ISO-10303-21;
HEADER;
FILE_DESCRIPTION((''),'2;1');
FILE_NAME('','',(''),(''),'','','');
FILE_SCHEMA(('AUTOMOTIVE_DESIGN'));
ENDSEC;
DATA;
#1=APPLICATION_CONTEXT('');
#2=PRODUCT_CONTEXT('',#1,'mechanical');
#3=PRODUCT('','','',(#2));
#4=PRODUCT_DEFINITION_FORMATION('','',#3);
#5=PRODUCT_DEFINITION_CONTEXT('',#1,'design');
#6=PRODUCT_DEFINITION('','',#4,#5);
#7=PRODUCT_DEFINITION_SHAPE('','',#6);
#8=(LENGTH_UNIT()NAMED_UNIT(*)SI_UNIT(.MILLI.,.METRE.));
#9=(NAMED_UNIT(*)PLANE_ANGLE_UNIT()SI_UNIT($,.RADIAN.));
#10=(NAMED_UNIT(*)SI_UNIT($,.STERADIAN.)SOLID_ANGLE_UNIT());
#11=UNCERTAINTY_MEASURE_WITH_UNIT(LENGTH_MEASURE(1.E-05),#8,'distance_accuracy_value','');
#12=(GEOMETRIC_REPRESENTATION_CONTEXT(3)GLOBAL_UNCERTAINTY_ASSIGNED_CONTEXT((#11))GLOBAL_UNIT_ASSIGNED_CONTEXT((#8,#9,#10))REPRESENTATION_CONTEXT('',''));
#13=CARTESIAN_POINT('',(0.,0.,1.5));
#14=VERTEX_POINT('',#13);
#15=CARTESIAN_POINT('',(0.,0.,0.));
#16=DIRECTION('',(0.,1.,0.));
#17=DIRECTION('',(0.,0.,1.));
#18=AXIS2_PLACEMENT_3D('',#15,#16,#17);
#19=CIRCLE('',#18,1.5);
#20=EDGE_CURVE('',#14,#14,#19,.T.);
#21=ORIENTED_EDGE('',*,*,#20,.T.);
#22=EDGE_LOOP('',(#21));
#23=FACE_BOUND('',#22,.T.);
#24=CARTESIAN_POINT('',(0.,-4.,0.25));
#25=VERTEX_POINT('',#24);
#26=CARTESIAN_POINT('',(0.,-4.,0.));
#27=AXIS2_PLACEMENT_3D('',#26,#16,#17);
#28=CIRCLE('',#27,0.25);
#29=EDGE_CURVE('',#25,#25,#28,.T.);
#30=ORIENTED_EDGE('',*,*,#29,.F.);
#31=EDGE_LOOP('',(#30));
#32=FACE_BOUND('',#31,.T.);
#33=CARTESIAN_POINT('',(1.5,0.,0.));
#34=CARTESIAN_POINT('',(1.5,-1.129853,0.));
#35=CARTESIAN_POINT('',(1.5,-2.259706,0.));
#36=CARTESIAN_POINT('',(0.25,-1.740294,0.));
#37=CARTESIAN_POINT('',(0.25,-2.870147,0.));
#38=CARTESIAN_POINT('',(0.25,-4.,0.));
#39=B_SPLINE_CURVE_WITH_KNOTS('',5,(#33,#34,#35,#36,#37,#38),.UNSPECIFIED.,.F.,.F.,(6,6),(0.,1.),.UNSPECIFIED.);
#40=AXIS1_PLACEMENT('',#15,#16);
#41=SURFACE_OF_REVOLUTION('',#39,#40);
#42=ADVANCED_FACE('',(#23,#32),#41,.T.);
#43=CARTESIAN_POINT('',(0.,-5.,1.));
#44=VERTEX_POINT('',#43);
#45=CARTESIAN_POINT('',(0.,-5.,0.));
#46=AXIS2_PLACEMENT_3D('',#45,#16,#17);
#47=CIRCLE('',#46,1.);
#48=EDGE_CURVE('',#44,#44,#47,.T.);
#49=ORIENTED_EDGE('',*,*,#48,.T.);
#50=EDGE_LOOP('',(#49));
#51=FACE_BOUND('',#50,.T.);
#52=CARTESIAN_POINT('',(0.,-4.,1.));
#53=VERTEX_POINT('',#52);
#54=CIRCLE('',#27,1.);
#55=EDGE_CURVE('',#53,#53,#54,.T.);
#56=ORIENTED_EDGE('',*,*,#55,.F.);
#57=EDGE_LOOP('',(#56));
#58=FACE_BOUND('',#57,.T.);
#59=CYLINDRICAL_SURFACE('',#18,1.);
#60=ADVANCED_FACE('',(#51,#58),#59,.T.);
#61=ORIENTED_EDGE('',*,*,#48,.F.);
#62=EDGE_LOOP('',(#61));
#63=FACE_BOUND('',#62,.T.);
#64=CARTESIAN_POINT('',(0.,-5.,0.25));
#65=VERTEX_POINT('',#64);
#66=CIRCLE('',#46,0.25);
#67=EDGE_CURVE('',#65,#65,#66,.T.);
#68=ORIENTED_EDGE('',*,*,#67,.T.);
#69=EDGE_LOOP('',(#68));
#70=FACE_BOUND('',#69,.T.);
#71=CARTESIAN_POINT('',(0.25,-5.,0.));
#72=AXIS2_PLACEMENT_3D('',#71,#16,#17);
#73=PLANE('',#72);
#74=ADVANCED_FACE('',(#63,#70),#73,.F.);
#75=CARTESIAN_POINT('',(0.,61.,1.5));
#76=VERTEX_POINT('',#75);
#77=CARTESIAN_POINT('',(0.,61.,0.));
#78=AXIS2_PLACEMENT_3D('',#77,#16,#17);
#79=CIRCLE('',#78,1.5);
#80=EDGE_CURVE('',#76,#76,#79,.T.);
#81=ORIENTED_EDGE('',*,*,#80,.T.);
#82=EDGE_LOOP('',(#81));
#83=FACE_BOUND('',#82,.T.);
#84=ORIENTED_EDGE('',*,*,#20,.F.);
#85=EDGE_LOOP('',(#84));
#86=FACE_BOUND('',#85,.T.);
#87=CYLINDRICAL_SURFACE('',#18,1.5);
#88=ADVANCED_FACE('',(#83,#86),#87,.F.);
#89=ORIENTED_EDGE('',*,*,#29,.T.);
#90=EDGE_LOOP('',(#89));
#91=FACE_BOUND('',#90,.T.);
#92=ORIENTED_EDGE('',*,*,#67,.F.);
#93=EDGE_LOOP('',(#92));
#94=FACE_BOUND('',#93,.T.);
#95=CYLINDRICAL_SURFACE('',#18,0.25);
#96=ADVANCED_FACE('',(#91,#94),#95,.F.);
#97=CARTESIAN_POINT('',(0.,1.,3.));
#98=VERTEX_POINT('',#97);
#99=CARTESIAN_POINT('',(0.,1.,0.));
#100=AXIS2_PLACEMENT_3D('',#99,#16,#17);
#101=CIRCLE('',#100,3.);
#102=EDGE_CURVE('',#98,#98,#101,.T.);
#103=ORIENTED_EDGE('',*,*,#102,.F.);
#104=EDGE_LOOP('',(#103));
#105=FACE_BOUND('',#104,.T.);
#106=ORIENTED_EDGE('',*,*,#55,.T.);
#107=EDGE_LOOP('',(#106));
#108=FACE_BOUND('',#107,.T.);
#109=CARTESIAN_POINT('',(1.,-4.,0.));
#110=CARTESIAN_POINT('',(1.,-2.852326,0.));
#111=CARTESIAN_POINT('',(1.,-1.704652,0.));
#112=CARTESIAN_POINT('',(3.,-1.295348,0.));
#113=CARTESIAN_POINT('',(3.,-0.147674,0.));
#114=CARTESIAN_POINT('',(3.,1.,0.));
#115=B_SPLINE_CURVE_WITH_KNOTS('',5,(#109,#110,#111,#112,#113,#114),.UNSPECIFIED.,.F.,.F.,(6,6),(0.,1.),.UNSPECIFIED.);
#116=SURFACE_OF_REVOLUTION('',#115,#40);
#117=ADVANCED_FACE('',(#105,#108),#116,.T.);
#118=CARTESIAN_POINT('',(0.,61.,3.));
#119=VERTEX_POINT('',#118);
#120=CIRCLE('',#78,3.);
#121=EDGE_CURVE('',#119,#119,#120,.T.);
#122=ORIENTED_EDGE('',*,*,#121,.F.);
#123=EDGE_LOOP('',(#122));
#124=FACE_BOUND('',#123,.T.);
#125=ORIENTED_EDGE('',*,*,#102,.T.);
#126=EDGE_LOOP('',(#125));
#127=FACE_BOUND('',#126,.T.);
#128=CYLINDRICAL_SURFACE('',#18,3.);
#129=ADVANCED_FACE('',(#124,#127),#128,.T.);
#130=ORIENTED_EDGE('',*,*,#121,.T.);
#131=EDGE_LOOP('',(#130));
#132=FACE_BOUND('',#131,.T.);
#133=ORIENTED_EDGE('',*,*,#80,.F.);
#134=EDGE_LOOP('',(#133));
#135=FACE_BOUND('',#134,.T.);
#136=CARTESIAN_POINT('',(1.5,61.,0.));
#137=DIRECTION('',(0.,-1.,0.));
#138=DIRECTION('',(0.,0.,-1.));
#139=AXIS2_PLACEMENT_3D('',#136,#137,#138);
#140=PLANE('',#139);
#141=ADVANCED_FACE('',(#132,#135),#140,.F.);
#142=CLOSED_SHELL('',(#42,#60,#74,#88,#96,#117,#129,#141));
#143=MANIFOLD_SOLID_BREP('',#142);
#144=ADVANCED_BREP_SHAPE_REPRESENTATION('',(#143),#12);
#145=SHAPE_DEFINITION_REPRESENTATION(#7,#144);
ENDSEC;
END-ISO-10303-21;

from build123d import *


with BuildPart() as part:
    # Sketch1 → Revolve1 (revolve)
    with BuildSketch(Plane.XY):
        with BuildLine():
            Line((1.5, 61), (3, 61))
            Line((3, 61), (3, 1))
            add(Edge.make_bspline(
                [(1, -4), (1, -2.852326224), (1, -1.704652447), (3, -1.295347553), (3, -0.147673776), (3, 1)],
                knots=[0, 0, 0, 0, 0, 0, 1, 1, 1, 1, 1, 1], degree=5))
            Line((1, -4), (1, -5))
            Line((1, -5), (0.25, -5))
            Line((0.25, -5), (0.25, -4))
            add(Edge.make_bspline(
                [(0.25, -4), (0.25, -2.870146948), (0.25, -1.740293897), (1.5, -2.259706103), (1.5, -1.129853052), (1.5, 0)],
                knots=[0, 0, 0, 0, 0, 0, 1, 1, 1, 1, 1, 1], degree=5))
            Line((1.5, 0), (1.5, 61))
        make_face()
    revolve(axis=Axis((0, 0, 0), (0, -1, 0)))


solid = part.part
